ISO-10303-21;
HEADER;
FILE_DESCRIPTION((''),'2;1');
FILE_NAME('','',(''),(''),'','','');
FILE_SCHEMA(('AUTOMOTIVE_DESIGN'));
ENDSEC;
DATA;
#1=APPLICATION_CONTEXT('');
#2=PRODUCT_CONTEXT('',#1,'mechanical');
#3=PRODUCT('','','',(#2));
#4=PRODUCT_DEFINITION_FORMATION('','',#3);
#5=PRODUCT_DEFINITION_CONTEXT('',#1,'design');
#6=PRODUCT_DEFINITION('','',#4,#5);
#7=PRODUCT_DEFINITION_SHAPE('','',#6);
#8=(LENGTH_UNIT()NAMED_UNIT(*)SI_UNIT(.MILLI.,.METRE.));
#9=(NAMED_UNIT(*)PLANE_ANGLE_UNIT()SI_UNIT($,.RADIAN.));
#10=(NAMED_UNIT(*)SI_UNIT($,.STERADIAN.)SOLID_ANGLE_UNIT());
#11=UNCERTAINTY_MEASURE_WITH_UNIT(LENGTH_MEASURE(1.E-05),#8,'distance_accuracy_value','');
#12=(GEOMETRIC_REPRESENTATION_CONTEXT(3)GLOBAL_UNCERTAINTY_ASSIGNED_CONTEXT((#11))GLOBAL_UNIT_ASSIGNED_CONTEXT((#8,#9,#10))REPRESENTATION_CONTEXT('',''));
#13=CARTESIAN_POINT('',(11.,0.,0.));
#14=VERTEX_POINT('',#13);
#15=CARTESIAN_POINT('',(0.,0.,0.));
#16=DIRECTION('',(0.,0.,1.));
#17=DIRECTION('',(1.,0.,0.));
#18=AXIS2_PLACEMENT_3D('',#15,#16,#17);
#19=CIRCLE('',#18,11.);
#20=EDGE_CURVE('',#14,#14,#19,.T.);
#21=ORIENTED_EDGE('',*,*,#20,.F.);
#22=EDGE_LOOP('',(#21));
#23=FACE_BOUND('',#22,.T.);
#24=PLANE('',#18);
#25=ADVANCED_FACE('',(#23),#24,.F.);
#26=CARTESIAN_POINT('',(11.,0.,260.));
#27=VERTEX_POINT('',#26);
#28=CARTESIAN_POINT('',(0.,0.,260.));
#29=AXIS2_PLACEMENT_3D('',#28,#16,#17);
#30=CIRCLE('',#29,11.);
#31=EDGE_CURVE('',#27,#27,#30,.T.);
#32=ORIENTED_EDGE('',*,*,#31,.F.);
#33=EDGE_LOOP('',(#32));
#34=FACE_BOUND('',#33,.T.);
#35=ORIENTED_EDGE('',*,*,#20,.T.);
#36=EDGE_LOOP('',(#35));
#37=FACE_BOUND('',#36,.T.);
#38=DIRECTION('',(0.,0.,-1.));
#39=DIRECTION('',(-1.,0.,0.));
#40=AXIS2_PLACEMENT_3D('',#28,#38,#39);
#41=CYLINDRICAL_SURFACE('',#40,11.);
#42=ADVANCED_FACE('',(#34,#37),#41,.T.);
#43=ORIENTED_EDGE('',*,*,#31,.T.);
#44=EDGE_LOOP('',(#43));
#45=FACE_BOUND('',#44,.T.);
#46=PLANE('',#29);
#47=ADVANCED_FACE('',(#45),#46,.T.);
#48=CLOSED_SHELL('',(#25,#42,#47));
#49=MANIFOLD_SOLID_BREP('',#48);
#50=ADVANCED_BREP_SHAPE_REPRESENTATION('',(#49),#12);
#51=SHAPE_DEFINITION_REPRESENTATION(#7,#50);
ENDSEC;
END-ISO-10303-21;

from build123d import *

# Parameters (mm, degrees)
SKETCH1_R        = 11
HANDLEPOST_DEPTH = 260


with BuildPart() as part:
    # Sketch1 → HandlePost (new body)
    with BuildSketch(Plane.XY):
        Circle(SKETCH1_R)
    extrude(amount=HANDLEPOST_DEPTH)


solid = part.part
